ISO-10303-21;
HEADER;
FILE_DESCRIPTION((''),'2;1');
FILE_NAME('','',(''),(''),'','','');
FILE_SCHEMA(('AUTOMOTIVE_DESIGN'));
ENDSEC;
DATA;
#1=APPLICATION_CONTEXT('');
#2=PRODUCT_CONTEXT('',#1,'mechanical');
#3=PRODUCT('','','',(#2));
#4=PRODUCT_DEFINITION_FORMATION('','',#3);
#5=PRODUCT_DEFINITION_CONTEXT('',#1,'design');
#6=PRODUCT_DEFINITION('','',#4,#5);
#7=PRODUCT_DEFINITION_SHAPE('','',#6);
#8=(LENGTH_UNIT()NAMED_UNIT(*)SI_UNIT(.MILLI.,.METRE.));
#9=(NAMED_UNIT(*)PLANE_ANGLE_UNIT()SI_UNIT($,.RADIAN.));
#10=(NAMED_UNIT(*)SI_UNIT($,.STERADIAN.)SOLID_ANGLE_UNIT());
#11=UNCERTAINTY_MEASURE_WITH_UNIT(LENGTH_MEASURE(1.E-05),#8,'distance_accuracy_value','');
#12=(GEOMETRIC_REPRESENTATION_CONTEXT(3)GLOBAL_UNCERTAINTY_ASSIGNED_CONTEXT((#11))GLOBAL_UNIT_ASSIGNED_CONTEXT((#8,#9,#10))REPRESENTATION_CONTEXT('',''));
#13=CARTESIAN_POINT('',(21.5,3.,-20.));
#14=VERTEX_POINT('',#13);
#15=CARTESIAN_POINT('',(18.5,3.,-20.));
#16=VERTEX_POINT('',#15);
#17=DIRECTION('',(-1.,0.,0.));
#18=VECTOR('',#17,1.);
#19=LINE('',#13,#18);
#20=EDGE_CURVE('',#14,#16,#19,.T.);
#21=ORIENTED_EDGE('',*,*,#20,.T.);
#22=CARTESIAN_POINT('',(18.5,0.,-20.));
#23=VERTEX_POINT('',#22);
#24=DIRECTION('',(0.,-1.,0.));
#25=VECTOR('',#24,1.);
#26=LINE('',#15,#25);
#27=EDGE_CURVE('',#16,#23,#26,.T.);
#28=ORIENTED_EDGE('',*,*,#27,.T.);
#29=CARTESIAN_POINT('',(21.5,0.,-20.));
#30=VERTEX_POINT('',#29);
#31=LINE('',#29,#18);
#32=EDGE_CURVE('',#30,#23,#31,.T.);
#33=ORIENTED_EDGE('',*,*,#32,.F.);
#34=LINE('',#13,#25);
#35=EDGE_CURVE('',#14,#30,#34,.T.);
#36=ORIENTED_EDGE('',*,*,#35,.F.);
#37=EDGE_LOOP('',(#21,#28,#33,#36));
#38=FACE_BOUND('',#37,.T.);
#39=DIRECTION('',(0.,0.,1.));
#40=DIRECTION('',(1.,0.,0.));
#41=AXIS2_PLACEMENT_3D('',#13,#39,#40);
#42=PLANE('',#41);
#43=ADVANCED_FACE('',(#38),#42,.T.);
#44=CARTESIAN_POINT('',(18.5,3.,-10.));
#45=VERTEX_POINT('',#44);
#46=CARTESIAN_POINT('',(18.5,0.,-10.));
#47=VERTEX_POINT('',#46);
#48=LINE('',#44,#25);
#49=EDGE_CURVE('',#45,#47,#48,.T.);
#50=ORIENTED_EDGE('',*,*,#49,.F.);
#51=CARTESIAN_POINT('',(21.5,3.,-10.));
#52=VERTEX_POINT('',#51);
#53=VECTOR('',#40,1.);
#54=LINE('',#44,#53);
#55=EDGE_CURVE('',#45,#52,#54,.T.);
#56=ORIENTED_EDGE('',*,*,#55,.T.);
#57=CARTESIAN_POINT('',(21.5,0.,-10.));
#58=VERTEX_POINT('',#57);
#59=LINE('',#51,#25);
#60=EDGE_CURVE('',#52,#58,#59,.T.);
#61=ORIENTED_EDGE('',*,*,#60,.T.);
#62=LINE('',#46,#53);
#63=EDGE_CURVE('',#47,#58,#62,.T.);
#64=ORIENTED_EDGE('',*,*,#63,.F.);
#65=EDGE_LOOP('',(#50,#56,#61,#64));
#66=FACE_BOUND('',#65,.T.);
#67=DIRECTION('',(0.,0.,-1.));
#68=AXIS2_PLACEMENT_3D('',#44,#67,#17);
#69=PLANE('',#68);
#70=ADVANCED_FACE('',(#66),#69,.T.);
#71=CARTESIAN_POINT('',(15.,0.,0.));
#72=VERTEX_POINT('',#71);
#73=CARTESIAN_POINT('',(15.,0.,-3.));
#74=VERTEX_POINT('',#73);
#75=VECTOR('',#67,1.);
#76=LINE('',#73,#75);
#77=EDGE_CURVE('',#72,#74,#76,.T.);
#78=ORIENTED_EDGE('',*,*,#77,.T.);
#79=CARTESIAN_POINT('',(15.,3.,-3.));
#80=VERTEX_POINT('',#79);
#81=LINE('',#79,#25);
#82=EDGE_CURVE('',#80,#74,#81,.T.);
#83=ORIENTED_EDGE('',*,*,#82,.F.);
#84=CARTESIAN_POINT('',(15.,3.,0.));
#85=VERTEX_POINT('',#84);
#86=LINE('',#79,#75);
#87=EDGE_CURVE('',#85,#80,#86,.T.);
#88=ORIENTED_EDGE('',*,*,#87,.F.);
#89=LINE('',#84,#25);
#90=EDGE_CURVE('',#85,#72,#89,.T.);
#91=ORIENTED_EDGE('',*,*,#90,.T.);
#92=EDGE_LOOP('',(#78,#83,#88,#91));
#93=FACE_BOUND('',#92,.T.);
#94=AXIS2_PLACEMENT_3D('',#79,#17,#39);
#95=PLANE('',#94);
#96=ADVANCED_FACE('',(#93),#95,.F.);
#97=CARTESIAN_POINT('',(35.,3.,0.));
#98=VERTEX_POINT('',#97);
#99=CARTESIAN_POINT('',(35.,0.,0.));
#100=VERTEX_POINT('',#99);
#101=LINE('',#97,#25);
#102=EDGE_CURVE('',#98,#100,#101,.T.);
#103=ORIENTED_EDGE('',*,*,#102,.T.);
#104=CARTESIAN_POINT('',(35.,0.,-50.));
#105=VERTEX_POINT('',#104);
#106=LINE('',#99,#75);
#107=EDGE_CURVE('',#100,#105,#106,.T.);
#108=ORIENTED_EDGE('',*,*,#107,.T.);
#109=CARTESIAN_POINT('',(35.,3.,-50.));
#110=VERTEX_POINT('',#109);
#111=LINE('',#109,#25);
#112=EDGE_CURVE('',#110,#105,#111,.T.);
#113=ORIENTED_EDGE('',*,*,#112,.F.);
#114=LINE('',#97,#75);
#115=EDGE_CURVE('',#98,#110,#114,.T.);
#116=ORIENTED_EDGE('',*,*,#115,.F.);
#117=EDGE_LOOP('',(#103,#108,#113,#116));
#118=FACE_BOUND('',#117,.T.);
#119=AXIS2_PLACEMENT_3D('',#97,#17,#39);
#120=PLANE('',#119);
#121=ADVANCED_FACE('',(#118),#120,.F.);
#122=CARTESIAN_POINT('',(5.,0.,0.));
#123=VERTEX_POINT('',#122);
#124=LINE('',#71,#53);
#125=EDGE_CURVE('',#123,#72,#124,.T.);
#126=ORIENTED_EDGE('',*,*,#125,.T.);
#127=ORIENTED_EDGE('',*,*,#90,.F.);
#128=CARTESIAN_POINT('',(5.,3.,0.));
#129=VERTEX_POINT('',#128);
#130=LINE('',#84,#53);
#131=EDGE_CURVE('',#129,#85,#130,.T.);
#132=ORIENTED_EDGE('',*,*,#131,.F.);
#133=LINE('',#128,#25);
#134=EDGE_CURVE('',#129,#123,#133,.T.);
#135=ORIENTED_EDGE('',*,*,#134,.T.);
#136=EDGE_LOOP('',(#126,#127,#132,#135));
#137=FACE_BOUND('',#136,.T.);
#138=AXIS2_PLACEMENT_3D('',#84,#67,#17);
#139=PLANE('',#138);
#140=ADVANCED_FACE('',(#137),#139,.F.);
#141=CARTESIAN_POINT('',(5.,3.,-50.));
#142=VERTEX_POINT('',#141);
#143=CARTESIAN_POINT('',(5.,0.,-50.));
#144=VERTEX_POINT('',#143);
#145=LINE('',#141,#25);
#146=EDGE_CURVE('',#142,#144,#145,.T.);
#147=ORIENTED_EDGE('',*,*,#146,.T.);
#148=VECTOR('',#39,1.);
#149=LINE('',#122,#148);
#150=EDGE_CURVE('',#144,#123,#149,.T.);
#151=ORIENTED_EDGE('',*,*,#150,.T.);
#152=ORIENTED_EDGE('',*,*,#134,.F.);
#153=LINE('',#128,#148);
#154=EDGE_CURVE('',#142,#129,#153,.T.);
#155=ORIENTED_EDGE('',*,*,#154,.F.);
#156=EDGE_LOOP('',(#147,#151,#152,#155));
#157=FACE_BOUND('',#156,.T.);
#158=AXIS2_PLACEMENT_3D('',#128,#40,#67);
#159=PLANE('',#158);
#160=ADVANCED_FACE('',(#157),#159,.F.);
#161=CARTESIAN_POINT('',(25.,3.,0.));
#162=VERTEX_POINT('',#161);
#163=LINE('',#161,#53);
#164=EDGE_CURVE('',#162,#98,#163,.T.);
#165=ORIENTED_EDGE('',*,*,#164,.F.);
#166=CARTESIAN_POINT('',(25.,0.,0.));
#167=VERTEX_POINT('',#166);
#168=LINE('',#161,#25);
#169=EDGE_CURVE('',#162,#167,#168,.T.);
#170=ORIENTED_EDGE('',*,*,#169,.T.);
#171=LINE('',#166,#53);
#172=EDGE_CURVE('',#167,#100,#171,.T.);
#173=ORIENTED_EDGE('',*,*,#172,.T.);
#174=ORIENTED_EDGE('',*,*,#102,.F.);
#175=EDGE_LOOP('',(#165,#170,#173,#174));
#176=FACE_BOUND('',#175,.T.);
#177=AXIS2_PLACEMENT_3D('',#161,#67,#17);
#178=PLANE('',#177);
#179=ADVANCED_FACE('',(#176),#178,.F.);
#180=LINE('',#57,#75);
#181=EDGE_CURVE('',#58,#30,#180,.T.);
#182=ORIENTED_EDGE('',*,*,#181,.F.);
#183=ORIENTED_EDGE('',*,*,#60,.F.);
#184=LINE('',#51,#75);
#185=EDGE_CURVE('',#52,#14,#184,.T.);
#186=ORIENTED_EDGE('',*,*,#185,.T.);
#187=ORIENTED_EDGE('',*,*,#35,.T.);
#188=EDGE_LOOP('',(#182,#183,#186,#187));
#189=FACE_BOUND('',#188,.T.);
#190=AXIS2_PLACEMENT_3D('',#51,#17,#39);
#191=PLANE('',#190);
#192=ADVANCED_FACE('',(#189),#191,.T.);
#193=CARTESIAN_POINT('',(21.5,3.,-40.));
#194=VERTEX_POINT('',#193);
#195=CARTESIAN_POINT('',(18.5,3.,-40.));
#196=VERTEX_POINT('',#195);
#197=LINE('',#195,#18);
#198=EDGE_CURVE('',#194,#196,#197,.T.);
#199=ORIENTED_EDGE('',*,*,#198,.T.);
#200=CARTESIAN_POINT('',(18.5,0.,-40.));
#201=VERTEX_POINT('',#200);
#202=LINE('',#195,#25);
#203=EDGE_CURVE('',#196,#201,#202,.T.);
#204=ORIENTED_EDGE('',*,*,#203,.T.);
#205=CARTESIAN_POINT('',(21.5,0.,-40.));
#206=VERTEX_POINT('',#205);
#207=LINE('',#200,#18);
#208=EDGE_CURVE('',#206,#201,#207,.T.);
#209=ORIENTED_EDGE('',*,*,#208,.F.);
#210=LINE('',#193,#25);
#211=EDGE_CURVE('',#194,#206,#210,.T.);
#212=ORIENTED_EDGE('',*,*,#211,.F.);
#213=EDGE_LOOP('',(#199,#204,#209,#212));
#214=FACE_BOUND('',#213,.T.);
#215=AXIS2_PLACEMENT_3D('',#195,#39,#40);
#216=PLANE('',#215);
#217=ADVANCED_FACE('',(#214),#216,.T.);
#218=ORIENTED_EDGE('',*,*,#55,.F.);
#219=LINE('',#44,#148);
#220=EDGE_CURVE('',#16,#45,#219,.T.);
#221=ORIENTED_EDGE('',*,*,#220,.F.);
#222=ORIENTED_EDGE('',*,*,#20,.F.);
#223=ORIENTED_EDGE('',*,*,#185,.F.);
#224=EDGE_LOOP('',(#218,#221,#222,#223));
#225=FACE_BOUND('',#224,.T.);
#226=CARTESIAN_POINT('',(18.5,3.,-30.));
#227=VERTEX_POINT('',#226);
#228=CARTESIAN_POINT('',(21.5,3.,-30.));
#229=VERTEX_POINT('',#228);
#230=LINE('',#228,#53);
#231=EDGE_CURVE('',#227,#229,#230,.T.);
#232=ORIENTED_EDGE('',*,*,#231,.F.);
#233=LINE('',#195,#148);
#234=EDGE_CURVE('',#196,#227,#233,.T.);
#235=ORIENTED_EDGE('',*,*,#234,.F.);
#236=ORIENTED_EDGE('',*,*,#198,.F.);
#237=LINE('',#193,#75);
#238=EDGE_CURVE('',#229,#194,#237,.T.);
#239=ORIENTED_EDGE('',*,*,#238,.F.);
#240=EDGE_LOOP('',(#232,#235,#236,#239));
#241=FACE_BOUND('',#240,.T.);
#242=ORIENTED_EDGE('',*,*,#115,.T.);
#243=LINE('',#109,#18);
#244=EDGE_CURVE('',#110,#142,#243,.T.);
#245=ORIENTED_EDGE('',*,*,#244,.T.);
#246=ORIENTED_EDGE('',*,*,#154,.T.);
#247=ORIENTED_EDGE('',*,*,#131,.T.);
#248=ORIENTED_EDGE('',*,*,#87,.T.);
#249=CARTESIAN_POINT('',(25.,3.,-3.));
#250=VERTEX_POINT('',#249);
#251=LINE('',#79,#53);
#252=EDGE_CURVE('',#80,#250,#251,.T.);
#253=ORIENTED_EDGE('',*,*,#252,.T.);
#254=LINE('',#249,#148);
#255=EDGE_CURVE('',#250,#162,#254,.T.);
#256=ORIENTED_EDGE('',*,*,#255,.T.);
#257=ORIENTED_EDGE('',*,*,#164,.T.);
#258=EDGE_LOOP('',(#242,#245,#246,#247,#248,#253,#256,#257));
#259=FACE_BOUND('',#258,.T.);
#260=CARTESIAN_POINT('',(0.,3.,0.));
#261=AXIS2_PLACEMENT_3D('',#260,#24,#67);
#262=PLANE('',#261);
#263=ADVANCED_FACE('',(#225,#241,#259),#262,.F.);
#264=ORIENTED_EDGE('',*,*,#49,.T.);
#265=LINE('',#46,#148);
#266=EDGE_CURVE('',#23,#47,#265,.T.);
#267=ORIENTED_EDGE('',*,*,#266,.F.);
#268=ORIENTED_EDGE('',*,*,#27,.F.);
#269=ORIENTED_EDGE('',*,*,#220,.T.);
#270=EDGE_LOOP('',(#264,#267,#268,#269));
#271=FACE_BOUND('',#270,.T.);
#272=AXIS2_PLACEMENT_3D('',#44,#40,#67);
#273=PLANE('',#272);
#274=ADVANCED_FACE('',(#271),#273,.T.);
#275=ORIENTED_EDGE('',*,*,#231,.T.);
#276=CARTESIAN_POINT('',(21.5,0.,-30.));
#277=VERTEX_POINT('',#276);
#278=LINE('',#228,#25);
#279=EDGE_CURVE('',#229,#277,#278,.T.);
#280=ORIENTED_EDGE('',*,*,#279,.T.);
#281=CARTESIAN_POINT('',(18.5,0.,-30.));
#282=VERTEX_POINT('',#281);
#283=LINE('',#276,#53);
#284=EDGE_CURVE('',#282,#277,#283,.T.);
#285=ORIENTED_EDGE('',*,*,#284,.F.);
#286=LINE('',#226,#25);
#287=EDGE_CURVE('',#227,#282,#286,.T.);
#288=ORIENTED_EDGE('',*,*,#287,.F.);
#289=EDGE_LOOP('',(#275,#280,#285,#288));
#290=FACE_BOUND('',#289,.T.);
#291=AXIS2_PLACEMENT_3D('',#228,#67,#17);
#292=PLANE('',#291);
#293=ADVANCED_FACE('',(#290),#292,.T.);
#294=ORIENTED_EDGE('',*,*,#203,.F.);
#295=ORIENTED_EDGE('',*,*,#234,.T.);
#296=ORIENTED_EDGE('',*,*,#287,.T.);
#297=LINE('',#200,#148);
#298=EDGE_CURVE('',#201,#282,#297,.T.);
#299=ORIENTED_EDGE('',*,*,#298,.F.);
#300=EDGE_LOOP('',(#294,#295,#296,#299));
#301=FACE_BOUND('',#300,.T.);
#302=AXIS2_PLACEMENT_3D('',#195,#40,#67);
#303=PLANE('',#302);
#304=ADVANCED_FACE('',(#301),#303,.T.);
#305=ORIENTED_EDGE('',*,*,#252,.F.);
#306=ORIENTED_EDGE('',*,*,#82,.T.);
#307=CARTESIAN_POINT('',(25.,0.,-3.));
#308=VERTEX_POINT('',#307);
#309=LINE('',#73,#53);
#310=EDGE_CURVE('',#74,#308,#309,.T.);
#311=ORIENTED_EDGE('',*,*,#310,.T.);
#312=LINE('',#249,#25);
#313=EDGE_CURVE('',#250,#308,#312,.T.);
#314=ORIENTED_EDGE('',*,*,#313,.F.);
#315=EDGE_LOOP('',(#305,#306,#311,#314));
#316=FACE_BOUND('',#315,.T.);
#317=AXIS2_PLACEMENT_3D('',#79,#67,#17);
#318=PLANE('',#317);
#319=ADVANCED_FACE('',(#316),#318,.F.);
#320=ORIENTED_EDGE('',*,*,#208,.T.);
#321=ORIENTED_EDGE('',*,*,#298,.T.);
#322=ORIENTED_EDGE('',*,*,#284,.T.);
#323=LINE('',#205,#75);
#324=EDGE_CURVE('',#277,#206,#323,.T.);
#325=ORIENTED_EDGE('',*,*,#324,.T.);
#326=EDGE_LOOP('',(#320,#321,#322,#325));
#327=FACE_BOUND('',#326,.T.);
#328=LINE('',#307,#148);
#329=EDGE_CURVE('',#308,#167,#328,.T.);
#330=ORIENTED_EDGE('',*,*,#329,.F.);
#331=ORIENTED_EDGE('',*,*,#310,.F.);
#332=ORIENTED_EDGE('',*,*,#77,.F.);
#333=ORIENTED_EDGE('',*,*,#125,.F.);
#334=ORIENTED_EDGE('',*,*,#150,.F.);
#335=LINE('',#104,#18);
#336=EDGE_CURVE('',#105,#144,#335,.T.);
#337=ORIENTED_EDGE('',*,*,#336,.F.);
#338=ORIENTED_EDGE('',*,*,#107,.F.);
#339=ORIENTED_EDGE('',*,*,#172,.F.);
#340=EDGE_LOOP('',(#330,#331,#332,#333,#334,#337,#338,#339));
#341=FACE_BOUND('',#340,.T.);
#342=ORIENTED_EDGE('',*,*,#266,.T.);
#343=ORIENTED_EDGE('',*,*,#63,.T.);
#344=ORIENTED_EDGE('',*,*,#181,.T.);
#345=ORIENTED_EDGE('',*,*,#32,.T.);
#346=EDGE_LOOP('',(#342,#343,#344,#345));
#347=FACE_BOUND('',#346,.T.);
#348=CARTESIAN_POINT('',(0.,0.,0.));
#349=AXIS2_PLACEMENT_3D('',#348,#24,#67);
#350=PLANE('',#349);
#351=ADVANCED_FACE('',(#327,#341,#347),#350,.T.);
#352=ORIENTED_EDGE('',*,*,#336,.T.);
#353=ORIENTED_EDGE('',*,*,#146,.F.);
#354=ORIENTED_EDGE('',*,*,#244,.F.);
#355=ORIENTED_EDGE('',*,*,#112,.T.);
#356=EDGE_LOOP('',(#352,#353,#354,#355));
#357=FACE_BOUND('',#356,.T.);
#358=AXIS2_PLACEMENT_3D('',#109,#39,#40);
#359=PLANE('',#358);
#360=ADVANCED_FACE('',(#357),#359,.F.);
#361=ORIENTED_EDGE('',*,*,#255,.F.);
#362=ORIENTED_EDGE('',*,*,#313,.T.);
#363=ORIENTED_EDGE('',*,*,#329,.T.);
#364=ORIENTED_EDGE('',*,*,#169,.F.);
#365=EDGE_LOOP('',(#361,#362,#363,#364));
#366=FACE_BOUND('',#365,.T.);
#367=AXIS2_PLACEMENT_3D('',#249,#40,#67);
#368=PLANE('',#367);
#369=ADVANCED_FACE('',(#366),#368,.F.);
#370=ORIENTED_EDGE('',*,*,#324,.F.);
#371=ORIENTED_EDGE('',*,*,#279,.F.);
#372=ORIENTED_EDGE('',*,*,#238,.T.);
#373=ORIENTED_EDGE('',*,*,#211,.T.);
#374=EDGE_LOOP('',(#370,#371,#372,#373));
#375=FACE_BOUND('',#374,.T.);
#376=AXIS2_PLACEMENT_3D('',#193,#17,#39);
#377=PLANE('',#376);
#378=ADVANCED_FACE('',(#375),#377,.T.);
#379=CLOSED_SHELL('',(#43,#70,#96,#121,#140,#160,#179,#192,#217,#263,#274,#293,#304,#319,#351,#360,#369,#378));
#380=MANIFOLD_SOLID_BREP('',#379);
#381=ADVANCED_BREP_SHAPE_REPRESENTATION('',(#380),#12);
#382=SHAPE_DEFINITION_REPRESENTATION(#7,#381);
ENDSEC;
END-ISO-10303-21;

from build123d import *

# Parameters (mm, degrees)
CROQUIS1_W              = 3
CROQUIS1_H              = 10
SALIENTE_EXTRUIR1_DEPTH = 3


with BuildPart() as part:
    # Croquis1 → Saliente-Extruir1 (new body)
    with BuildSketch(Plane(origin=(0, 0, 0), x_dir=(1, 0, 0), z_dir=(0, 1, 0))):
        Polygon((25, 0), (35, 0), (35, 50), (5, 50), (5, 0), (15, 0), (15, 3), (25, 3), align=None)
        with Locations((20, 15)):
            Rectangle(CROQUIS1_W, CROQUIS1_H, mode=Mode.SUBTRACT)
        with Locations((20, 35)):
            Rectangle(CROQUIS1_W, CROQUIS1_H, mode=Mode.SUBTRACT)
    extrude(amount=SALIENTE_EXTRUIR1_DEPTH)


solid = part.part
